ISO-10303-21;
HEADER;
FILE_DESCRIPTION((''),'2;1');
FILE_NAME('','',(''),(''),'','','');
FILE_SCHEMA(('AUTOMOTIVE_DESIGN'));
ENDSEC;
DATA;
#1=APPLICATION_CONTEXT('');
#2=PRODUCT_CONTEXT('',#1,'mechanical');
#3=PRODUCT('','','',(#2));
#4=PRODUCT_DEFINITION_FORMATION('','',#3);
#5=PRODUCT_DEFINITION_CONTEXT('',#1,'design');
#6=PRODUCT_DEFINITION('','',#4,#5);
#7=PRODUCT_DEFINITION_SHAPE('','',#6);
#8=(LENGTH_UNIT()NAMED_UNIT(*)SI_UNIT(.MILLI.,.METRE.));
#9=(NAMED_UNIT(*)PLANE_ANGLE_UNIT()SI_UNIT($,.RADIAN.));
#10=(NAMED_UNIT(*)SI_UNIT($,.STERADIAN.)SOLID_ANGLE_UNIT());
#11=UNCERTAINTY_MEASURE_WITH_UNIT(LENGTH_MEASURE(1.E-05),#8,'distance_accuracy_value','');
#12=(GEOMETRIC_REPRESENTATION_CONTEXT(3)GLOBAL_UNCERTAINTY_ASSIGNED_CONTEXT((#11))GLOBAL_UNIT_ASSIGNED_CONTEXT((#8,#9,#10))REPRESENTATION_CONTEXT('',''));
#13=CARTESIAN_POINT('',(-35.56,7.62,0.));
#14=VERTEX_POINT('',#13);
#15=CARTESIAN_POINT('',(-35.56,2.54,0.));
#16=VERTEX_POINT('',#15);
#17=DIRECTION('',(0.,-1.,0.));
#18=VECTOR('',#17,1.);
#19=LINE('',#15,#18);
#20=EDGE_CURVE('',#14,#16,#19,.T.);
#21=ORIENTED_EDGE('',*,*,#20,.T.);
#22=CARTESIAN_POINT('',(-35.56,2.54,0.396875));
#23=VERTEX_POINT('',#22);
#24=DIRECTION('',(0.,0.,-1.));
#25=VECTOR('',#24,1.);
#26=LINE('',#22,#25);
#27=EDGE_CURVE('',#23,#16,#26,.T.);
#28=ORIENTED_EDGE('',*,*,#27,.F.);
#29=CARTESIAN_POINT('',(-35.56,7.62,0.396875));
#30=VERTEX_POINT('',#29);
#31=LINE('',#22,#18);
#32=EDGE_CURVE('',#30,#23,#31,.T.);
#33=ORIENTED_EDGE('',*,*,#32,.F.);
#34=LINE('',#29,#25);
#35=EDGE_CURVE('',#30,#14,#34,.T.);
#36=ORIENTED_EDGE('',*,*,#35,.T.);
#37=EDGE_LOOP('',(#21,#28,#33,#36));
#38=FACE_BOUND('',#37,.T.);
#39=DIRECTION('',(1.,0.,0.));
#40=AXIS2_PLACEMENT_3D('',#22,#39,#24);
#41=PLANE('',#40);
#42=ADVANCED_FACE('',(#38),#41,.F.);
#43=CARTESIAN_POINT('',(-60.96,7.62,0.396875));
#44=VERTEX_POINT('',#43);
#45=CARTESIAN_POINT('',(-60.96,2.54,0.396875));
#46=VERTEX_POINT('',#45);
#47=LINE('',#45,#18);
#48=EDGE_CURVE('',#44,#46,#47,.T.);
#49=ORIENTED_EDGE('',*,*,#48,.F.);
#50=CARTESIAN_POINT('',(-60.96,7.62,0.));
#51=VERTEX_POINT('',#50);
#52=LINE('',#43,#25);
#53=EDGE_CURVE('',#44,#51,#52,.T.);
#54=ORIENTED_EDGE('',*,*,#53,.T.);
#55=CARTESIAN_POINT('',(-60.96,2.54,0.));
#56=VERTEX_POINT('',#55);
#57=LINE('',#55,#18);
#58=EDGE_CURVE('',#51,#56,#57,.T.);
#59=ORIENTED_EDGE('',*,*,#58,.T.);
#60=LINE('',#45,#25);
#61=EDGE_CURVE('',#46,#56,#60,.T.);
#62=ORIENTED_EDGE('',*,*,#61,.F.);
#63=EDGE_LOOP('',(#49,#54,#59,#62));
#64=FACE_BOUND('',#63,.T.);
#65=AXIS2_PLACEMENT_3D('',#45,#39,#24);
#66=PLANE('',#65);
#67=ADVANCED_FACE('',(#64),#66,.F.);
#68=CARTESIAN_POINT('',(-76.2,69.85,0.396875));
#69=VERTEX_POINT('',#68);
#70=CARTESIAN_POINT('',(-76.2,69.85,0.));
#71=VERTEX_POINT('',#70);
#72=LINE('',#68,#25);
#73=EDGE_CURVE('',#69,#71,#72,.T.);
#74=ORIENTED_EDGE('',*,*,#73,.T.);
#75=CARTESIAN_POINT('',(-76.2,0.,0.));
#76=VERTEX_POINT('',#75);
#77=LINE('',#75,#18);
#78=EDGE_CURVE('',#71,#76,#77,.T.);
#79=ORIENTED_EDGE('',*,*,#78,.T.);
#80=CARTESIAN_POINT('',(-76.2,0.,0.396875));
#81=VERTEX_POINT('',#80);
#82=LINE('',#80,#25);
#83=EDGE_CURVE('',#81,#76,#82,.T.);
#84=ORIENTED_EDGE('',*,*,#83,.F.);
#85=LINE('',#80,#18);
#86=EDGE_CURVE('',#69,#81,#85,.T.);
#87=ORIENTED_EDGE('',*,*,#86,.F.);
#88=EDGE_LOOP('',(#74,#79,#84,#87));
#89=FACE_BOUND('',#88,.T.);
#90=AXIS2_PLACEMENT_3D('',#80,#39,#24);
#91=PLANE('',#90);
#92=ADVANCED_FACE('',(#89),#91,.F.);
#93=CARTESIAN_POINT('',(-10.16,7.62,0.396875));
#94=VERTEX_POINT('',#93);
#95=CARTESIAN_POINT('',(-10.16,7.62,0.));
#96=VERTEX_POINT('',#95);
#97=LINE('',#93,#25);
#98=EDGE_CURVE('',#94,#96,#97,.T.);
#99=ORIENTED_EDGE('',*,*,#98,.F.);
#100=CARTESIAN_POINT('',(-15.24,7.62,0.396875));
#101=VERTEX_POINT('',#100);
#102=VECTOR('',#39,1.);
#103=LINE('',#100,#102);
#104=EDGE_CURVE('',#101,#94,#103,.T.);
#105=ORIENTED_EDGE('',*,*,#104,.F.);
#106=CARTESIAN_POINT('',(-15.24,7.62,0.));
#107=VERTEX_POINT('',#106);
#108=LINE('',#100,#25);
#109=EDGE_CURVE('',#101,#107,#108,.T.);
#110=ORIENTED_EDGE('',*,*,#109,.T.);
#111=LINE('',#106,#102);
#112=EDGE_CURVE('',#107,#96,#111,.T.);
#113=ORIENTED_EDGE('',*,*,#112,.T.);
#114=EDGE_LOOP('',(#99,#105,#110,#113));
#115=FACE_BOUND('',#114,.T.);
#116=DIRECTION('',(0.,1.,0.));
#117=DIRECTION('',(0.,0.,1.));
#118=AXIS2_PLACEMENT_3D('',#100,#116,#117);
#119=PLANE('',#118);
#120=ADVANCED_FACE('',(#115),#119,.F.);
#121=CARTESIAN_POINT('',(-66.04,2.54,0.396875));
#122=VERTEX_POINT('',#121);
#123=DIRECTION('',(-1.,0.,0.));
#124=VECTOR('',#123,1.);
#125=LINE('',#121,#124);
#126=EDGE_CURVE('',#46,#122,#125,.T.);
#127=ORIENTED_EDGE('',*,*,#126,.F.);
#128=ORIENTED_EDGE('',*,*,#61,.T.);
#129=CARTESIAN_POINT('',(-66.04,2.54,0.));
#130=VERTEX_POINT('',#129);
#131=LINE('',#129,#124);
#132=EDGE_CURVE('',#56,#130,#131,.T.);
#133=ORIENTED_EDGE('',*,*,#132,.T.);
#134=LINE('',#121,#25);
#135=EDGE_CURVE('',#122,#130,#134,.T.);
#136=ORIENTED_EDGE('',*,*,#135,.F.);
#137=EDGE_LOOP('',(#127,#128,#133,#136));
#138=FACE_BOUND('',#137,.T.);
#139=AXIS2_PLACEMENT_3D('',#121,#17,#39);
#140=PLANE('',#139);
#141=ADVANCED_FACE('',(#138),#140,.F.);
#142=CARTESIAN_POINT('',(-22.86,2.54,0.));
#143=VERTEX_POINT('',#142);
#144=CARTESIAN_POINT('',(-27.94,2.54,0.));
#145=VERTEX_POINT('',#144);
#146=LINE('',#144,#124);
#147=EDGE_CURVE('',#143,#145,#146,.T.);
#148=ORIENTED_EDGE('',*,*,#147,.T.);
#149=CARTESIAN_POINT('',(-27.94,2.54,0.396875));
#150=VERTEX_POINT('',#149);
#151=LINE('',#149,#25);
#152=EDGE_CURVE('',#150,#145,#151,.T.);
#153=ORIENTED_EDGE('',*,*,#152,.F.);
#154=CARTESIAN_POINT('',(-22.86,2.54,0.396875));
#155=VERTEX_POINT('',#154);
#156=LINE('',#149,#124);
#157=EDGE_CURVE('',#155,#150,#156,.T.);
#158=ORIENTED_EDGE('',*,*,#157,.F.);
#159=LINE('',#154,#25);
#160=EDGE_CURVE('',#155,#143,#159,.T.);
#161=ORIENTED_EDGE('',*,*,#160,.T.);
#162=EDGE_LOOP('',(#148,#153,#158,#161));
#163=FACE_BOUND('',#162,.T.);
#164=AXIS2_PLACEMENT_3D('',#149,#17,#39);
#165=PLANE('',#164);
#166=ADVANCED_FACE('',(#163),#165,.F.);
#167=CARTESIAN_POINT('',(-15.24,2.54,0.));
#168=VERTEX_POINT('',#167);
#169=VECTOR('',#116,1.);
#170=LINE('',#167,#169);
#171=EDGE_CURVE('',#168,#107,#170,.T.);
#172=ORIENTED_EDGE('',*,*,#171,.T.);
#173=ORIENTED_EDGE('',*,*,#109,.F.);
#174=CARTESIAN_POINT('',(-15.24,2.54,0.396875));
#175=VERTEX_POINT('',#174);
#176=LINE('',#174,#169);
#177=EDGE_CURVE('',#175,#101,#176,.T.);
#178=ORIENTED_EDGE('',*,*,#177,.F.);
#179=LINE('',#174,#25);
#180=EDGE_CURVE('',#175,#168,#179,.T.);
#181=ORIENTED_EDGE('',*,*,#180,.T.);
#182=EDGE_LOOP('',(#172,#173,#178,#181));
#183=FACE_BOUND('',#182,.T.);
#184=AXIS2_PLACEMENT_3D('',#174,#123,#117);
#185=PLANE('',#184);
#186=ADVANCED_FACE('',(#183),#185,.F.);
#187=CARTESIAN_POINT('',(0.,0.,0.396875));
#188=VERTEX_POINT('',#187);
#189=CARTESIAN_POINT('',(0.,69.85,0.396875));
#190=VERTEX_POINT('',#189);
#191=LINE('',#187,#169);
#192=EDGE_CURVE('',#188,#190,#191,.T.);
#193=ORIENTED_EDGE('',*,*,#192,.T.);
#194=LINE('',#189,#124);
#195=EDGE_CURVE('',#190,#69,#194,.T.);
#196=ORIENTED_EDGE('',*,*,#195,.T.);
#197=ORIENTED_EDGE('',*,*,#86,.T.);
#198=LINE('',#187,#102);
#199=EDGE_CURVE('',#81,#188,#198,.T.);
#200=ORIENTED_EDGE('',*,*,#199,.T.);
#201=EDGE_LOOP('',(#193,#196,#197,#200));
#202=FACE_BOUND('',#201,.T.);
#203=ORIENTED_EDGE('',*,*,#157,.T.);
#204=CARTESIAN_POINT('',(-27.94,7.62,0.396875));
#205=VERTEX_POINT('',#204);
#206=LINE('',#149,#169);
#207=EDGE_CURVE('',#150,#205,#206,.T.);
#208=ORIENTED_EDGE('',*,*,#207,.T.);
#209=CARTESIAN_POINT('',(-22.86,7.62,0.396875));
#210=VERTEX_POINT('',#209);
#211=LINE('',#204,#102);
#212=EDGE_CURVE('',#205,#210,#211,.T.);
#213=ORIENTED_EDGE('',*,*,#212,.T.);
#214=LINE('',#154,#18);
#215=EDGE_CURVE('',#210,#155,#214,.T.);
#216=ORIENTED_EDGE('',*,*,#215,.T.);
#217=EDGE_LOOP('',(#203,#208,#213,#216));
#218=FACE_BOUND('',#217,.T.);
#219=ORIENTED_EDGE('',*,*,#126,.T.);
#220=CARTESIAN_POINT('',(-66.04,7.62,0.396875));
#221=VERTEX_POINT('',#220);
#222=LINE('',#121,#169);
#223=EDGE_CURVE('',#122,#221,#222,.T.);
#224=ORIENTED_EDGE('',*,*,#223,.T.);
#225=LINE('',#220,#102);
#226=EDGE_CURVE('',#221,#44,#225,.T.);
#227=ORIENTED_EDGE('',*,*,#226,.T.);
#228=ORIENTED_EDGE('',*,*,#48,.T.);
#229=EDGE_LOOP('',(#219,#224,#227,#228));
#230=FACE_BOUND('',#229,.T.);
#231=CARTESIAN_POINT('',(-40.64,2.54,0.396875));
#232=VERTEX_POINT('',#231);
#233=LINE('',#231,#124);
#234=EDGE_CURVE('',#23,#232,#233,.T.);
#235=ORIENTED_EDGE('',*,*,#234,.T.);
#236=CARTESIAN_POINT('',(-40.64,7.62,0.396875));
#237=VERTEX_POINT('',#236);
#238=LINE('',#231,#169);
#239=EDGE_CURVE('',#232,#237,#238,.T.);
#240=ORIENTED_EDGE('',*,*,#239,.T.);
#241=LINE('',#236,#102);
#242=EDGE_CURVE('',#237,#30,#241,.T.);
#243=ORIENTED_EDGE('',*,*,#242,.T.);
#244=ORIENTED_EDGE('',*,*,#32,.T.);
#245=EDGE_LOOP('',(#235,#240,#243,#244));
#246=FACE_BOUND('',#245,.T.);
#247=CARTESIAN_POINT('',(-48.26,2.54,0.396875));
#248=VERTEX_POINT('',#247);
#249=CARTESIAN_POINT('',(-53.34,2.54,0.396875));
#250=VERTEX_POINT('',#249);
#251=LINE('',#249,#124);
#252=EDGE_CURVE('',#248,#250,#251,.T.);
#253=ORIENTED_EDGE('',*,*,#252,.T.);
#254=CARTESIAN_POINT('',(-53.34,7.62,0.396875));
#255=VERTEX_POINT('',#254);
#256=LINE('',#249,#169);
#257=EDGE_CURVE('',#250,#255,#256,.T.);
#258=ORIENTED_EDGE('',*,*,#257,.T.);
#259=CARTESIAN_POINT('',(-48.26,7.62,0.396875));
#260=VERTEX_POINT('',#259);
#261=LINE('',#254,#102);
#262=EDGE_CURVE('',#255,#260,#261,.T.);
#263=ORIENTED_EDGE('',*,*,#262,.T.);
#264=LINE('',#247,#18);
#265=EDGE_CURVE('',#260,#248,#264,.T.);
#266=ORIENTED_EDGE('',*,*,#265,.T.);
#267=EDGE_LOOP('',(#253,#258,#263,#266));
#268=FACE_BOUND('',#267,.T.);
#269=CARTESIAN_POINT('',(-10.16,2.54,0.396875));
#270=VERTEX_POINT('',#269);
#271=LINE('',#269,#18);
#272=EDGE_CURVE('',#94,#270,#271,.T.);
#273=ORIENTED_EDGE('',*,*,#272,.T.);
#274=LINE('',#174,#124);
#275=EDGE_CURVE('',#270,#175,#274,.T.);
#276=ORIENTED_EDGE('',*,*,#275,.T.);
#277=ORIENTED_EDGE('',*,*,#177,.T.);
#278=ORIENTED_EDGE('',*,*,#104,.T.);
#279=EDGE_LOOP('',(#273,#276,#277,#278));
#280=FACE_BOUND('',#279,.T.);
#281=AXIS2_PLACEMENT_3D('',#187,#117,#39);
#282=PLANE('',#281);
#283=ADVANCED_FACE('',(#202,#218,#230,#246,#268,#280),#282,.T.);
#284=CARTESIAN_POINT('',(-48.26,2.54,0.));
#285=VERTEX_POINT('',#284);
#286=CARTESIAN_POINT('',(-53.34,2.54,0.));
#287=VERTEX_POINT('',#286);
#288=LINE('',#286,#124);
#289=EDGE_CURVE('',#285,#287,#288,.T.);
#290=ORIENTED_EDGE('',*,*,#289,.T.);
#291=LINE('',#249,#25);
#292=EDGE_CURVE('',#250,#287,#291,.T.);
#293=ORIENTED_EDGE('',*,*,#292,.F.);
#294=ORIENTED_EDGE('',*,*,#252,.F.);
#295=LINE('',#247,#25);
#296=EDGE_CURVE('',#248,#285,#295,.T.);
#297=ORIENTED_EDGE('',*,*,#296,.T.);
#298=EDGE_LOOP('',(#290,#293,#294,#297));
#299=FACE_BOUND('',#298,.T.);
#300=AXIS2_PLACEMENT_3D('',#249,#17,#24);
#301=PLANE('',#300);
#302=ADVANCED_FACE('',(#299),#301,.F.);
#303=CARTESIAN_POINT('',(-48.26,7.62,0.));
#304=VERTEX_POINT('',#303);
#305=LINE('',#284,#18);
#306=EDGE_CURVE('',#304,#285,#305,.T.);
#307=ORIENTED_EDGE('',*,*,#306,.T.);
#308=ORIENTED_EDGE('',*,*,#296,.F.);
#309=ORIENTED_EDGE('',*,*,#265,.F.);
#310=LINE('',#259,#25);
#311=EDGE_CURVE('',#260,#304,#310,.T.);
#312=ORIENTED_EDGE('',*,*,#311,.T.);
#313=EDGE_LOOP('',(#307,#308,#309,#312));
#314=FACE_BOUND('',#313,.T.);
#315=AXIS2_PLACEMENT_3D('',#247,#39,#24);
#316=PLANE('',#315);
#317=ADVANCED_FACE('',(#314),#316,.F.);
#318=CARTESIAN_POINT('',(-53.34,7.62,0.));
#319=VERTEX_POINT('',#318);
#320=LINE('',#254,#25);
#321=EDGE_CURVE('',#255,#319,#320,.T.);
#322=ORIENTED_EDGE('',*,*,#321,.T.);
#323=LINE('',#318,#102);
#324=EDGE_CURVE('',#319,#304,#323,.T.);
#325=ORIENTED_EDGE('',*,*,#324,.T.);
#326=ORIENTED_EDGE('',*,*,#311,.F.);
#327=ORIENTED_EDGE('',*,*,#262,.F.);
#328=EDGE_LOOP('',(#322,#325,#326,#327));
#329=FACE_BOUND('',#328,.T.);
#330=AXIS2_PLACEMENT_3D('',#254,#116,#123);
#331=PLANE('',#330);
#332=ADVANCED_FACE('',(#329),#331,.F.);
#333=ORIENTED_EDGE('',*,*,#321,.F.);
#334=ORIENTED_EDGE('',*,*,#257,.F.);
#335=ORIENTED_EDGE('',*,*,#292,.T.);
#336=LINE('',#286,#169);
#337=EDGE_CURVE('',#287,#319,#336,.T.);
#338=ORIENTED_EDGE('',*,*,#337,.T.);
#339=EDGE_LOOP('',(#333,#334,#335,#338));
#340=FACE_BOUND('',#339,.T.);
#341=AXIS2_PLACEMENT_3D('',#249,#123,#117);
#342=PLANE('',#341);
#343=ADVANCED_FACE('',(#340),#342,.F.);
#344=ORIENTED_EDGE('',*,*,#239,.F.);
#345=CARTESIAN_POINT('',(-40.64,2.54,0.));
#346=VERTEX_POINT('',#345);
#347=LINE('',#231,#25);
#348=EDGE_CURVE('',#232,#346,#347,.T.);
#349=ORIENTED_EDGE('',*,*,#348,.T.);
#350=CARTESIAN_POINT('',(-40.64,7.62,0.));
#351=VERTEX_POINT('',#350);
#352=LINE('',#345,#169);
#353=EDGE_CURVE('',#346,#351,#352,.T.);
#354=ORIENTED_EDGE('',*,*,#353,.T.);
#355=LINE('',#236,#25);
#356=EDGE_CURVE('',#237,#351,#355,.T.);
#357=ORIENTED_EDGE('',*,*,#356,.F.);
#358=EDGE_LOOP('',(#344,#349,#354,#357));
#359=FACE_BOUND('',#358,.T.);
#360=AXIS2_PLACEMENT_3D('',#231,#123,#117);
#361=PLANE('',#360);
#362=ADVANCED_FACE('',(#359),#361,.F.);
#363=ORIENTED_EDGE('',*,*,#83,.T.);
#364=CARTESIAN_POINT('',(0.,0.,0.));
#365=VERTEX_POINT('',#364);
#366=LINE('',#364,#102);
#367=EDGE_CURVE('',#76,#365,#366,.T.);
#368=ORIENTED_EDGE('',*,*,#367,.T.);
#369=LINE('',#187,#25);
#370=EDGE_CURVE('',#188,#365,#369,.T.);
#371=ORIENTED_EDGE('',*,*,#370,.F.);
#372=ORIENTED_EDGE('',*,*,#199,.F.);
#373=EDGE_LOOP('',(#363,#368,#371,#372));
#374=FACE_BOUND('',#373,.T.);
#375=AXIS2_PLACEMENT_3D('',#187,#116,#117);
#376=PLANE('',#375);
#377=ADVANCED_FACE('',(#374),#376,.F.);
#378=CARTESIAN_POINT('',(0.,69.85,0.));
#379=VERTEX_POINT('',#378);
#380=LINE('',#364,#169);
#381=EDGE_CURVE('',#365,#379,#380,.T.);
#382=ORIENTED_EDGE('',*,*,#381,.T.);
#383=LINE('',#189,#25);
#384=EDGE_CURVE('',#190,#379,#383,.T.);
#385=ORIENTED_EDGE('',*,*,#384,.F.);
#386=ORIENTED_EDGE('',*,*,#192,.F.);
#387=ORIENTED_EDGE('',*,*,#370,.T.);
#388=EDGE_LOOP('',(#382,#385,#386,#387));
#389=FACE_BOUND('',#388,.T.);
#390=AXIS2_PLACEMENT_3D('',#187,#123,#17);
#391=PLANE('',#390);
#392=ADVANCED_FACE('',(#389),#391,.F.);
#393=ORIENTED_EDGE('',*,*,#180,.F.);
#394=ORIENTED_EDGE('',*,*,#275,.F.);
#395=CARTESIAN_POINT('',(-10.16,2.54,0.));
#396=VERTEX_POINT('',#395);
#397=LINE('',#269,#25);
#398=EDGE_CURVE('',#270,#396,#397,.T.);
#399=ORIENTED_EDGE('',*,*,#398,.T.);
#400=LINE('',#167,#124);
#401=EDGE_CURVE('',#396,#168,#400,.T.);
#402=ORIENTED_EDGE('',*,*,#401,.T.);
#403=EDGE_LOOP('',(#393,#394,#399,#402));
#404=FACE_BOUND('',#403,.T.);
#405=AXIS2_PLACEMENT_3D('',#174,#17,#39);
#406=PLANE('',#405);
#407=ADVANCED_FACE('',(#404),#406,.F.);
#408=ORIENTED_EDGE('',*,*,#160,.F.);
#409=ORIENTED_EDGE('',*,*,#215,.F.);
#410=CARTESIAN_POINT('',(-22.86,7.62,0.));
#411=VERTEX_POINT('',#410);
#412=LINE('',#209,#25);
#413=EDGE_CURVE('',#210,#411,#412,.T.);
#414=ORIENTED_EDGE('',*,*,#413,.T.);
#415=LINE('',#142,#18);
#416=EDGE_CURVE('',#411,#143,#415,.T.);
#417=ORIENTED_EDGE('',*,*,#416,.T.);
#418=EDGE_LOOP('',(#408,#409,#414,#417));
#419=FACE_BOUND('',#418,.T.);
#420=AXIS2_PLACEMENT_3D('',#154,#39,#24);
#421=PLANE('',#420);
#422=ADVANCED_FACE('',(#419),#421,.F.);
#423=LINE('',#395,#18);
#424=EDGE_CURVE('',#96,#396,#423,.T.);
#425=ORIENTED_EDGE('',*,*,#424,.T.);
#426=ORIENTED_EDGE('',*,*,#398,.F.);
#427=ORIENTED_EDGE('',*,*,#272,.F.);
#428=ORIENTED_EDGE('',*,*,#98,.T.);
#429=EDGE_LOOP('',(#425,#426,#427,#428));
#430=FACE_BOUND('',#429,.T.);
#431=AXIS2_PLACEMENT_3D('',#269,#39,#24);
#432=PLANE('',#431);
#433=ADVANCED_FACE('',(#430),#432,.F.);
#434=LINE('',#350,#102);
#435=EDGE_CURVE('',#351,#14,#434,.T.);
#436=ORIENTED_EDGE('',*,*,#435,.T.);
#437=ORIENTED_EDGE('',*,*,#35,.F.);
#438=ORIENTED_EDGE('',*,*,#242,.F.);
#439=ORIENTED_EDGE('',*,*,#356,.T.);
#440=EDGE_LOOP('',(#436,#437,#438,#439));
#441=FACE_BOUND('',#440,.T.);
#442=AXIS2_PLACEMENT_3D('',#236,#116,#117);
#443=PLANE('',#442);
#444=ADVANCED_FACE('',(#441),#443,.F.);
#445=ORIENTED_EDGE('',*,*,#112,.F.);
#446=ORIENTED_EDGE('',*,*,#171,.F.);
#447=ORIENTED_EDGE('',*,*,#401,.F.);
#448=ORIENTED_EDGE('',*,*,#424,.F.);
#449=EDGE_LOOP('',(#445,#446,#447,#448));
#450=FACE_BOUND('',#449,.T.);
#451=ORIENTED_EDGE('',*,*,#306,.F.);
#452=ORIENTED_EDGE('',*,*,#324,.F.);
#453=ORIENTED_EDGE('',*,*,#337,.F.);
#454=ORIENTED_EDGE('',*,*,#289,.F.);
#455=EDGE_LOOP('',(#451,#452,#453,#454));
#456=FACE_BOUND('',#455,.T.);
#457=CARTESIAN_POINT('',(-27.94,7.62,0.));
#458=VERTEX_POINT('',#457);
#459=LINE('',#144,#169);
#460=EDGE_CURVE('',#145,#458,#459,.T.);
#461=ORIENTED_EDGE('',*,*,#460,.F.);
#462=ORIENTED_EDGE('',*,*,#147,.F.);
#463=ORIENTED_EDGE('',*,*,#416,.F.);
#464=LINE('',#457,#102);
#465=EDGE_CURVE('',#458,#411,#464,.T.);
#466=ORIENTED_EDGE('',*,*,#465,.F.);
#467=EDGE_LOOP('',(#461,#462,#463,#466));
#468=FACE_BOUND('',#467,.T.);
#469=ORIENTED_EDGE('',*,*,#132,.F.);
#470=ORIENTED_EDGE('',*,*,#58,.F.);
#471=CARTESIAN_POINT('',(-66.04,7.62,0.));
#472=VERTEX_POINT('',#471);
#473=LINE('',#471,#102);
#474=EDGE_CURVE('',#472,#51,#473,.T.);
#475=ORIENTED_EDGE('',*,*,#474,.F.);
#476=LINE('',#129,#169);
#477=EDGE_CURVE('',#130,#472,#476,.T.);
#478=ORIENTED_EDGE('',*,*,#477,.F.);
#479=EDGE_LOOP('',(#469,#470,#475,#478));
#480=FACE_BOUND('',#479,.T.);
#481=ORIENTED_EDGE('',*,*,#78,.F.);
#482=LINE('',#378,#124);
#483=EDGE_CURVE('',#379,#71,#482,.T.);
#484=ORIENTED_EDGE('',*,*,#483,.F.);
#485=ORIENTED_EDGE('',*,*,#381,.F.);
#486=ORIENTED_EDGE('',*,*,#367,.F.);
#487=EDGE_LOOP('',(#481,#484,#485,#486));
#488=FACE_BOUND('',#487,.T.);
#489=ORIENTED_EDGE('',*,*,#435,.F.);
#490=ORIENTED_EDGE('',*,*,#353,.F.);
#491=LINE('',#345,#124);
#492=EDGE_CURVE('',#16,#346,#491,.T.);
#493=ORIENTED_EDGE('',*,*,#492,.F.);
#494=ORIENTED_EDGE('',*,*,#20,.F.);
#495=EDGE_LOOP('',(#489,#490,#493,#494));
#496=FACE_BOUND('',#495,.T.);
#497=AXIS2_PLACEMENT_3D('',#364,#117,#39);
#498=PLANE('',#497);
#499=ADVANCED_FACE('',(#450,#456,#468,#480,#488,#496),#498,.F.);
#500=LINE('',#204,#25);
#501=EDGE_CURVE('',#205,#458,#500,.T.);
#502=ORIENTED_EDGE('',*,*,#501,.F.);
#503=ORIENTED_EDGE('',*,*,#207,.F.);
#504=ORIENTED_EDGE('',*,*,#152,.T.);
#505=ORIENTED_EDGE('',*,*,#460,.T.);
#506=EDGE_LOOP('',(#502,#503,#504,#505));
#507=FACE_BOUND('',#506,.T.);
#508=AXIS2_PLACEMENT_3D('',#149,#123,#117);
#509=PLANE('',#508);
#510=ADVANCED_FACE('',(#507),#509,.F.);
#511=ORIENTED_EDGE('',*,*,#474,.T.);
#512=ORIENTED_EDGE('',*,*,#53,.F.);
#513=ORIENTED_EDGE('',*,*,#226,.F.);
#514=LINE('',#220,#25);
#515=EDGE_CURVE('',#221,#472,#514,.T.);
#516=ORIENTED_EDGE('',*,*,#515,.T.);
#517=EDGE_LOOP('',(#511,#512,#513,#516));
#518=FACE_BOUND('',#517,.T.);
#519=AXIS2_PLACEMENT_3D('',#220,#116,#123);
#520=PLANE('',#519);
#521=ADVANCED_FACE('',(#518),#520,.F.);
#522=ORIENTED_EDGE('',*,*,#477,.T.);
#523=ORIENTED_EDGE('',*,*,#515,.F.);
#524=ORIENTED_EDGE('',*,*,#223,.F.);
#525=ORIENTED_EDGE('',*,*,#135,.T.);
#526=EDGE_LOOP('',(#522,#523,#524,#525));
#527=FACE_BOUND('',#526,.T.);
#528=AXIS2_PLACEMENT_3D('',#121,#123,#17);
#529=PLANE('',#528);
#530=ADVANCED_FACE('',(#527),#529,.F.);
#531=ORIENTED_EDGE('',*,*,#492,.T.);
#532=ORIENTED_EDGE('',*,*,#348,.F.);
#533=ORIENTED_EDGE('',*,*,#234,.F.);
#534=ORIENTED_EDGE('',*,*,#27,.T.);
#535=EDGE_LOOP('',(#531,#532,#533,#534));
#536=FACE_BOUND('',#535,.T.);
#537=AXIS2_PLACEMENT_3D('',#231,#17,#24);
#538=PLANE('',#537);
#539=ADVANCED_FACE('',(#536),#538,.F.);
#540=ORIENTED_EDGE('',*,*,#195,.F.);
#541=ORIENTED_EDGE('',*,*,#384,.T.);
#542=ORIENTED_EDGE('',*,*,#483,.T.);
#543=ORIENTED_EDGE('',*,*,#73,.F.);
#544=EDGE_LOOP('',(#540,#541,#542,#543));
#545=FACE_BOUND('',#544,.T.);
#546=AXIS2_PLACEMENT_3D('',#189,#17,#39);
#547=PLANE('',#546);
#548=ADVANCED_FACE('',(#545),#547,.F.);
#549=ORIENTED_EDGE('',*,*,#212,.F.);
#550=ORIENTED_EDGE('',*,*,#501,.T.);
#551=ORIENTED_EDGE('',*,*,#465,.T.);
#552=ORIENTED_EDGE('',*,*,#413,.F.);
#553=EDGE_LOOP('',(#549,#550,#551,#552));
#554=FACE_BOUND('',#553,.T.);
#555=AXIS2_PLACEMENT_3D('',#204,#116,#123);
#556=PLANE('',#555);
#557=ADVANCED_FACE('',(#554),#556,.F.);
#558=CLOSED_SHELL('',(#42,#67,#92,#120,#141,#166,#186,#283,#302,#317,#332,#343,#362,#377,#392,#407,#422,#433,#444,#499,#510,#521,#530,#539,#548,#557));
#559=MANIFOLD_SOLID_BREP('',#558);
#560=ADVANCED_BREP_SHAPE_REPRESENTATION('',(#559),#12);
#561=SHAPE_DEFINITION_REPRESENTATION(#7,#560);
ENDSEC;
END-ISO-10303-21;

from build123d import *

# Parameters (mm, degrees)
SKETCH1_W           = 76.2
SKETCH1_H           = 69.85
BOSS_EXTRUDE1_DEPTH = 0.396875
SKETCH2_W           = 5.08
SKETCH2_H           = 5.08
CUT_EXTRUDE1_DEPTH  = 1.396875


with BuildPart() as part:
    # Sketch1 → Boss-Extrude1 (new body)
    with BuildSketch(Plane.XY):
        with Locations((-38.1, 34.925)):
            Rectangle(SKETCH1_W, SKETCH1_H)
    extrude(amount=BOSS_EXTRUDE1_DEPTH)

    # Sketch2 → Cut-Extrude1 (cut, through all)
    with BuildSketch(Plane(origin=(0, 0, 0), x_dir=(-1, 0, 0), z_dir=(0, 0, -1))):
        with Locations((63.5, 5.08)):
            Rectangle(SKETCH2_W, SKETCH2_H)
        with Locations((50.8, 5.08)):
            Rectangle(SKETCH2_W, SKETCH2_H)
        with Locations((38.1, 5.08)):
            Rectangle(SKETCH2_W, SKETCH2_H)
        with Locations((25.4, 5.08)):
            Rectangle(SKETCH2_W, SKETCH2_H)
        with Locations((12.7, 5.08)):
            Rectangle(SKETCH2_W, SKETCH2_H)
    extrude(amount=-CUT_EXTRUDE1_DEPTH, mode=Mode.SUBTRACT)


solid = part.part
